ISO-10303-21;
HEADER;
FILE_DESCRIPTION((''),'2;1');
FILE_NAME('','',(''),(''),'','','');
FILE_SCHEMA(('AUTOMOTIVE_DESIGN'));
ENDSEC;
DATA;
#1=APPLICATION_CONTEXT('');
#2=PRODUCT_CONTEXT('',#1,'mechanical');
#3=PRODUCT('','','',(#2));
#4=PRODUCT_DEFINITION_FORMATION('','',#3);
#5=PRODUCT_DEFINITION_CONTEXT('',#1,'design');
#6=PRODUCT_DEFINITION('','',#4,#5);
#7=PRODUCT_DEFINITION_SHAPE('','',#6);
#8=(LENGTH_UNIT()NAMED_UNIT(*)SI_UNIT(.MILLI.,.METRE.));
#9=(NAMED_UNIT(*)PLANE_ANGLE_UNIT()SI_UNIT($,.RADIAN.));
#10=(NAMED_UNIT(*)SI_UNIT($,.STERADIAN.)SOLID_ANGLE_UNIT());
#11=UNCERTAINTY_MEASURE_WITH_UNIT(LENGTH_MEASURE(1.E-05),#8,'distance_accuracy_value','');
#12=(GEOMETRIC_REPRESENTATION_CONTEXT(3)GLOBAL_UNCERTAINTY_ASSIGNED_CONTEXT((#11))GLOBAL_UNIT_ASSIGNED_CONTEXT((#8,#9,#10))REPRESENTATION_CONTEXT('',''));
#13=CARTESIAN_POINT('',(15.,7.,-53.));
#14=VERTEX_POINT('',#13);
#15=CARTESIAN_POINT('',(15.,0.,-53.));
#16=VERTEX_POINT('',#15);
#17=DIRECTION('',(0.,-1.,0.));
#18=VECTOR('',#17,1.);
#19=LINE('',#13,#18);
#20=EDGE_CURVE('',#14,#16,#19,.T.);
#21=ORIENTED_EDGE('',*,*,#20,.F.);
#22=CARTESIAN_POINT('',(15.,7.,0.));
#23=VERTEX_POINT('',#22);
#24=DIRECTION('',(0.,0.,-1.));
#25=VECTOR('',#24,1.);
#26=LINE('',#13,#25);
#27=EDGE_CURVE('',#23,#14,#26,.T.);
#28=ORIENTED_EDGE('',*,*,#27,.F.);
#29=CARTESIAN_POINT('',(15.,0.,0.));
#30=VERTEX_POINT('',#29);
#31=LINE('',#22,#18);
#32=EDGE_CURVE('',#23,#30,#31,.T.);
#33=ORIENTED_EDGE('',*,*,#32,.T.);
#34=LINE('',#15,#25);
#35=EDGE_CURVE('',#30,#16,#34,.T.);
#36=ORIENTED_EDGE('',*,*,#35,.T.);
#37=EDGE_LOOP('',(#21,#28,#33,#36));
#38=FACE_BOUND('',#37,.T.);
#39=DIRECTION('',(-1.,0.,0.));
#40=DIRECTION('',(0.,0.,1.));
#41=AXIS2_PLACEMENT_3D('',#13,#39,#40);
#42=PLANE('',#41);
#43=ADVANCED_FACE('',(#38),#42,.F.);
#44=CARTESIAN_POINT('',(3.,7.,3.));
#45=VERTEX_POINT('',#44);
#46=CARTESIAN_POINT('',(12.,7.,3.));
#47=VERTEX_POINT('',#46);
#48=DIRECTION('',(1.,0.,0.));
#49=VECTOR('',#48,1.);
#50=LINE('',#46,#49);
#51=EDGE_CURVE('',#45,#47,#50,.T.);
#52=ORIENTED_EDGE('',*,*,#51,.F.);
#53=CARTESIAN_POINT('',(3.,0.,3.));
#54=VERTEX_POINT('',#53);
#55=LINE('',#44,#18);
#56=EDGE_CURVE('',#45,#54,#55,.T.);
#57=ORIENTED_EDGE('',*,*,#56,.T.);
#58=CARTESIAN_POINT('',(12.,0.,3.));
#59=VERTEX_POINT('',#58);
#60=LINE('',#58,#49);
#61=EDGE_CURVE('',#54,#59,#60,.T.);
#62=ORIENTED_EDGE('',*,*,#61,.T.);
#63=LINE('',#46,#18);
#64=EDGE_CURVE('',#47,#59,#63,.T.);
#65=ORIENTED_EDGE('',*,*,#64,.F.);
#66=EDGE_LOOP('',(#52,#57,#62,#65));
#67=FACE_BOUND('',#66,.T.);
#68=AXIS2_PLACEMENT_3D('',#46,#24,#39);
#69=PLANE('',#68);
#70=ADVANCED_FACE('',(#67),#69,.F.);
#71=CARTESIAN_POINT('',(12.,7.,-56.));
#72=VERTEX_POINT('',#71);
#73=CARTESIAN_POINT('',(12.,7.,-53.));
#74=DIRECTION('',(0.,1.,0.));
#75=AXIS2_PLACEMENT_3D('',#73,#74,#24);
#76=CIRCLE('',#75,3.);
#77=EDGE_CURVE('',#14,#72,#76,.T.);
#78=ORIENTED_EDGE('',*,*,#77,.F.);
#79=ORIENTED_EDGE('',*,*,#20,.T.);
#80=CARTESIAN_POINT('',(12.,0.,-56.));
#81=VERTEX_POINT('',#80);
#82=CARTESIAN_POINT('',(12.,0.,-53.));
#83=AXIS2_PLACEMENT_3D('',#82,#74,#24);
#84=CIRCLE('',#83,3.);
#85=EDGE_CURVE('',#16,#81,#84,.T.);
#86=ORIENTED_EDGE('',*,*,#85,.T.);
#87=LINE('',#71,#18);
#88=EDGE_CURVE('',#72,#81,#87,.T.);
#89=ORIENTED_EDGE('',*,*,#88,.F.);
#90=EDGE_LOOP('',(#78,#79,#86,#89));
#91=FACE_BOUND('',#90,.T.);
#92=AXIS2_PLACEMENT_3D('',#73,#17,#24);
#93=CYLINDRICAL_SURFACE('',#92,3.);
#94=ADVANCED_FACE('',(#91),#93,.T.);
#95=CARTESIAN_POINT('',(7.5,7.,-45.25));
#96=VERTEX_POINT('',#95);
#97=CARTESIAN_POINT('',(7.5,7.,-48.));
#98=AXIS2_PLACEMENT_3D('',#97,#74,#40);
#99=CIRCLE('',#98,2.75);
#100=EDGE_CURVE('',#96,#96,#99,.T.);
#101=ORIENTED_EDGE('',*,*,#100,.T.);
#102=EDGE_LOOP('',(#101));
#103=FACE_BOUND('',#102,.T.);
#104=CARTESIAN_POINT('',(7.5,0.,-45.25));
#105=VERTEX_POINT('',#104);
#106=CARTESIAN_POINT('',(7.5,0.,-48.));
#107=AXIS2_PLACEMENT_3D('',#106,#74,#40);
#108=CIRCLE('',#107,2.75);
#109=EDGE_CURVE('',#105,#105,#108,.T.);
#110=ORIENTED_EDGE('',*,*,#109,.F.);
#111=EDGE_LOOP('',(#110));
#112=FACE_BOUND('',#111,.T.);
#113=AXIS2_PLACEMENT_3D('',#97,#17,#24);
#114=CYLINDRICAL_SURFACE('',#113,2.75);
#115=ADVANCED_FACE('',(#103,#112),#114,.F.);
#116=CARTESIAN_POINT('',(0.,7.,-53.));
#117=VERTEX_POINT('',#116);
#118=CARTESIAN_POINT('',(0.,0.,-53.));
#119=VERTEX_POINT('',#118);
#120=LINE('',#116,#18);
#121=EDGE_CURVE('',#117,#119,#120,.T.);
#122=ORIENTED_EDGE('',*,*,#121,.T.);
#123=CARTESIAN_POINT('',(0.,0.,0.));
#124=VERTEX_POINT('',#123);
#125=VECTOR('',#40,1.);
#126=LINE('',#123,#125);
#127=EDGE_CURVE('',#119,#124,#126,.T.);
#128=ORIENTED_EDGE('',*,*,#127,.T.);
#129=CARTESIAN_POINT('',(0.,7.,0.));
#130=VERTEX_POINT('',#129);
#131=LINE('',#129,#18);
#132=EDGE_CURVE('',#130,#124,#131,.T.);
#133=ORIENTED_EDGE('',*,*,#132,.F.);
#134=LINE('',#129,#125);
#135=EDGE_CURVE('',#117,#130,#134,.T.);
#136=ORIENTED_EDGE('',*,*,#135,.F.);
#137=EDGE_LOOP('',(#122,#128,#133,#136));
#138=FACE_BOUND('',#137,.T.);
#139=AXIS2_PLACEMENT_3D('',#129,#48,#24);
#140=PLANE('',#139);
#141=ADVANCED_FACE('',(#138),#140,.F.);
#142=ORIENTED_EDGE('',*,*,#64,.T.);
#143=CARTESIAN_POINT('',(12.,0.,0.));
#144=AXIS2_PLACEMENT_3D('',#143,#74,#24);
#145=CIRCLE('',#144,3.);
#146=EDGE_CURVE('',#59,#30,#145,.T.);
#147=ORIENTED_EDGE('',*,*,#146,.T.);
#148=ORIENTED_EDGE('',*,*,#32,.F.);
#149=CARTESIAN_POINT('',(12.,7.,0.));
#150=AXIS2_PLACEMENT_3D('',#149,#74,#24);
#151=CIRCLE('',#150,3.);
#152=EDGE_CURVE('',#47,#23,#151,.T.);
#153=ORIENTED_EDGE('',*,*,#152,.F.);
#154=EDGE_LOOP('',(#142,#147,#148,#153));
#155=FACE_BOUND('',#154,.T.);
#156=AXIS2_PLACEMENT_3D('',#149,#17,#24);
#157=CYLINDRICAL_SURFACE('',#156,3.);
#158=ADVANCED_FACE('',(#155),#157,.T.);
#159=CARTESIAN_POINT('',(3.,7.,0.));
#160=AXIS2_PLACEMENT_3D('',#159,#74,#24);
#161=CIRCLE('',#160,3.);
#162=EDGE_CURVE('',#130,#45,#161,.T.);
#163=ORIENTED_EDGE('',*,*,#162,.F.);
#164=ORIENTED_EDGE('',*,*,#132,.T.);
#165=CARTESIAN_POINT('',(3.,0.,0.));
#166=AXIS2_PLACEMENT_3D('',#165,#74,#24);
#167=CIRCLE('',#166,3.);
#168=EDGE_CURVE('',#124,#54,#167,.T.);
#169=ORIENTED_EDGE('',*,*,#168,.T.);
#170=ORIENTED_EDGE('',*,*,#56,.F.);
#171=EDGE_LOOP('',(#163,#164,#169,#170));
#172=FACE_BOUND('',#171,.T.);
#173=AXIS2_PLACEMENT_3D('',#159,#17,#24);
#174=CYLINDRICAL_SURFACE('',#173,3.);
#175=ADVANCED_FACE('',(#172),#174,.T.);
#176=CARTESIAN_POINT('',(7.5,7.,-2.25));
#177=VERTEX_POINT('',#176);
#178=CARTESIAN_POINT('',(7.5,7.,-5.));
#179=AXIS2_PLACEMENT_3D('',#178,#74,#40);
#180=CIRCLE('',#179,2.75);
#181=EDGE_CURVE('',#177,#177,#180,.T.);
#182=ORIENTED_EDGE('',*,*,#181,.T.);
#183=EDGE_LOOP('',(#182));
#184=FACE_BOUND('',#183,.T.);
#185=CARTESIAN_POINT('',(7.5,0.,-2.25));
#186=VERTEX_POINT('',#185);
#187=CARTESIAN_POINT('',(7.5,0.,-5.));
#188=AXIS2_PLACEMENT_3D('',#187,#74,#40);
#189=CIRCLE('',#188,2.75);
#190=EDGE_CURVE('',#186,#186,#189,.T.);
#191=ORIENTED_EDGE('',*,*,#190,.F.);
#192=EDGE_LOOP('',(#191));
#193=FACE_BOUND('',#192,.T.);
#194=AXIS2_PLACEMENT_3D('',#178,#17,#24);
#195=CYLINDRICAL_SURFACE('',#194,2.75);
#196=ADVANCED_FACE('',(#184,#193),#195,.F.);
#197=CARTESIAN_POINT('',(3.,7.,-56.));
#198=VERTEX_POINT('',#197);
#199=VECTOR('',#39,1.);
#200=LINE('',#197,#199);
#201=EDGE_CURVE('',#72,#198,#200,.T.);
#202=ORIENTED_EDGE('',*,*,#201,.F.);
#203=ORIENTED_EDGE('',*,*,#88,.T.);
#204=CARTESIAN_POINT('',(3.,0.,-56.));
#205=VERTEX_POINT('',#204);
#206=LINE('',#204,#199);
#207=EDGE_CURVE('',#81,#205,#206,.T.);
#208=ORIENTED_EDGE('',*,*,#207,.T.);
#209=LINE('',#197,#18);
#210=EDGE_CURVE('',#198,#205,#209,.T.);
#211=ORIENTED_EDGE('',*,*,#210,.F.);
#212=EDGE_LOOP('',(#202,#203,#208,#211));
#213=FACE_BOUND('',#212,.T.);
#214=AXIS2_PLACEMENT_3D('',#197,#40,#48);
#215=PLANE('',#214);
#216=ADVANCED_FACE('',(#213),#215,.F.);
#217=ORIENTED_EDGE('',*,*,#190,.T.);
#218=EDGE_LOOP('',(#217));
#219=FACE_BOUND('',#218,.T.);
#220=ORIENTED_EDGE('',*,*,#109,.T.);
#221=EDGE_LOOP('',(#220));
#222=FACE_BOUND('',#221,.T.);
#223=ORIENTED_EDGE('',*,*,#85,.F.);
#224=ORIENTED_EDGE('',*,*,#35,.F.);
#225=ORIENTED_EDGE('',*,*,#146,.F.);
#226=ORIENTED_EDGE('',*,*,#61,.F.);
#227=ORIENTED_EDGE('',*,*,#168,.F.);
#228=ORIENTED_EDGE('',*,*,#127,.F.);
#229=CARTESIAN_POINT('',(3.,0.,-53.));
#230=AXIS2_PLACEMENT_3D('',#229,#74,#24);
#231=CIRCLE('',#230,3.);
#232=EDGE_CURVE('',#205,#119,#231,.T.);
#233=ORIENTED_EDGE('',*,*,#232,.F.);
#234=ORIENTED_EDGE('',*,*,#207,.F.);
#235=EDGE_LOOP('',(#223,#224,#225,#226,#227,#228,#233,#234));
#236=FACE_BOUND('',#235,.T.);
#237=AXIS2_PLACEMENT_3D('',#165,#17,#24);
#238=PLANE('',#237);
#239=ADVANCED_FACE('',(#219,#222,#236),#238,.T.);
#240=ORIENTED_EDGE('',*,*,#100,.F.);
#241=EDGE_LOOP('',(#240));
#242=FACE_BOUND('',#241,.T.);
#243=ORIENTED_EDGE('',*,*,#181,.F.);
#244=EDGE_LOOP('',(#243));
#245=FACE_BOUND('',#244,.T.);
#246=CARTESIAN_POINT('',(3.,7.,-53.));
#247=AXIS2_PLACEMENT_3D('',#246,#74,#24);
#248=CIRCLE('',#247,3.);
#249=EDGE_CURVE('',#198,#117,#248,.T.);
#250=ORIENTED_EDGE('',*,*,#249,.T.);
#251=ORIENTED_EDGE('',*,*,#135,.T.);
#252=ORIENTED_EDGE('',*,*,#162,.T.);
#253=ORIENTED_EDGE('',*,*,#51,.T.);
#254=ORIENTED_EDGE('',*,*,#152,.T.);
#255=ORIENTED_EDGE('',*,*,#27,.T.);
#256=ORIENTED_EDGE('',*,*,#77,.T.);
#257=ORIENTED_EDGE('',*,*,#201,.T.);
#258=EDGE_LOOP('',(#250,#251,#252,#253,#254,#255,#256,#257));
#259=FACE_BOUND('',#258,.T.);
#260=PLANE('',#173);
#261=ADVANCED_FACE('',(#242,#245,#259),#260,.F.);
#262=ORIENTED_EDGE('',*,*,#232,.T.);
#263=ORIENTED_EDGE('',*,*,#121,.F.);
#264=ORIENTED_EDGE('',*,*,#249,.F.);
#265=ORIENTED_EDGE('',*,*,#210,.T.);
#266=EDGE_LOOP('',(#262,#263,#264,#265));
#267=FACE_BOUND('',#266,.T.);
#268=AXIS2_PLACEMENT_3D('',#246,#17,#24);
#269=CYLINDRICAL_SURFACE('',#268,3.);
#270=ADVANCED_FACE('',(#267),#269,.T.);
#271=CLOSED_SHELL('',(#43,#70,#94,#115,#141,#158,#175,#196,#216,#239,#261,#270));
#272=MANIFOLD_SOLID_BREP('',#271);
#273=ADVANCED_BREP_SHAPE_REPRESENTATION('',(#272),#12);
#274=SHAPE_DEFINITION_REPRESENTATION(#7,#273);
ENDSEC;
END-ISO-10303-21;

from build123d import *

# Parameters (mm, degrees)
SKETCH1_R           = 2.75
BOSS_EXTRUDE1_DEPTH = 7


with BuildPart() as part:
    # Sketch1 → Boss-Extrude1 (new body)
    with BuildSketch(Plane(origin=(0, 0, 0), x_dir=(1, 0, 0), z_dir=(0, 1, 0))):
        with BuildLine():
            Line((0, 0), (0, 53))
            ThreePointArc((0, 53), (0.878679656, 55.121320344), (3, 56))
            Line((3, 56), (12, 56))
            ThreePointArc((12, 56), (14.121320344, 55.121320344), (15, 53))
            Line((15, 53), (15, 0))
            ThreePointArc((15, 0), (14.121320344, -2.121320344), (12, -3))
            Line((12, -3), (3, -3))
            ThreePointArc((3, -3), (0.878679656, -2.121320344), (0, 0))
        make_face()
        with Locations(Location((7.5, 48, 0), (0, 0, 270))):
            Circle(SKETCH1_R, mode=Mode.SUBTRACT)
        with Locations(Location((7.5, 5, 0), (0, 0, 270))):
            Circle(SKETCH1_R, mode=Mode.SUBTRACT)
    extrude(amount=BOSS_EXTRUDE1_DEPTH)


solid = part.part
